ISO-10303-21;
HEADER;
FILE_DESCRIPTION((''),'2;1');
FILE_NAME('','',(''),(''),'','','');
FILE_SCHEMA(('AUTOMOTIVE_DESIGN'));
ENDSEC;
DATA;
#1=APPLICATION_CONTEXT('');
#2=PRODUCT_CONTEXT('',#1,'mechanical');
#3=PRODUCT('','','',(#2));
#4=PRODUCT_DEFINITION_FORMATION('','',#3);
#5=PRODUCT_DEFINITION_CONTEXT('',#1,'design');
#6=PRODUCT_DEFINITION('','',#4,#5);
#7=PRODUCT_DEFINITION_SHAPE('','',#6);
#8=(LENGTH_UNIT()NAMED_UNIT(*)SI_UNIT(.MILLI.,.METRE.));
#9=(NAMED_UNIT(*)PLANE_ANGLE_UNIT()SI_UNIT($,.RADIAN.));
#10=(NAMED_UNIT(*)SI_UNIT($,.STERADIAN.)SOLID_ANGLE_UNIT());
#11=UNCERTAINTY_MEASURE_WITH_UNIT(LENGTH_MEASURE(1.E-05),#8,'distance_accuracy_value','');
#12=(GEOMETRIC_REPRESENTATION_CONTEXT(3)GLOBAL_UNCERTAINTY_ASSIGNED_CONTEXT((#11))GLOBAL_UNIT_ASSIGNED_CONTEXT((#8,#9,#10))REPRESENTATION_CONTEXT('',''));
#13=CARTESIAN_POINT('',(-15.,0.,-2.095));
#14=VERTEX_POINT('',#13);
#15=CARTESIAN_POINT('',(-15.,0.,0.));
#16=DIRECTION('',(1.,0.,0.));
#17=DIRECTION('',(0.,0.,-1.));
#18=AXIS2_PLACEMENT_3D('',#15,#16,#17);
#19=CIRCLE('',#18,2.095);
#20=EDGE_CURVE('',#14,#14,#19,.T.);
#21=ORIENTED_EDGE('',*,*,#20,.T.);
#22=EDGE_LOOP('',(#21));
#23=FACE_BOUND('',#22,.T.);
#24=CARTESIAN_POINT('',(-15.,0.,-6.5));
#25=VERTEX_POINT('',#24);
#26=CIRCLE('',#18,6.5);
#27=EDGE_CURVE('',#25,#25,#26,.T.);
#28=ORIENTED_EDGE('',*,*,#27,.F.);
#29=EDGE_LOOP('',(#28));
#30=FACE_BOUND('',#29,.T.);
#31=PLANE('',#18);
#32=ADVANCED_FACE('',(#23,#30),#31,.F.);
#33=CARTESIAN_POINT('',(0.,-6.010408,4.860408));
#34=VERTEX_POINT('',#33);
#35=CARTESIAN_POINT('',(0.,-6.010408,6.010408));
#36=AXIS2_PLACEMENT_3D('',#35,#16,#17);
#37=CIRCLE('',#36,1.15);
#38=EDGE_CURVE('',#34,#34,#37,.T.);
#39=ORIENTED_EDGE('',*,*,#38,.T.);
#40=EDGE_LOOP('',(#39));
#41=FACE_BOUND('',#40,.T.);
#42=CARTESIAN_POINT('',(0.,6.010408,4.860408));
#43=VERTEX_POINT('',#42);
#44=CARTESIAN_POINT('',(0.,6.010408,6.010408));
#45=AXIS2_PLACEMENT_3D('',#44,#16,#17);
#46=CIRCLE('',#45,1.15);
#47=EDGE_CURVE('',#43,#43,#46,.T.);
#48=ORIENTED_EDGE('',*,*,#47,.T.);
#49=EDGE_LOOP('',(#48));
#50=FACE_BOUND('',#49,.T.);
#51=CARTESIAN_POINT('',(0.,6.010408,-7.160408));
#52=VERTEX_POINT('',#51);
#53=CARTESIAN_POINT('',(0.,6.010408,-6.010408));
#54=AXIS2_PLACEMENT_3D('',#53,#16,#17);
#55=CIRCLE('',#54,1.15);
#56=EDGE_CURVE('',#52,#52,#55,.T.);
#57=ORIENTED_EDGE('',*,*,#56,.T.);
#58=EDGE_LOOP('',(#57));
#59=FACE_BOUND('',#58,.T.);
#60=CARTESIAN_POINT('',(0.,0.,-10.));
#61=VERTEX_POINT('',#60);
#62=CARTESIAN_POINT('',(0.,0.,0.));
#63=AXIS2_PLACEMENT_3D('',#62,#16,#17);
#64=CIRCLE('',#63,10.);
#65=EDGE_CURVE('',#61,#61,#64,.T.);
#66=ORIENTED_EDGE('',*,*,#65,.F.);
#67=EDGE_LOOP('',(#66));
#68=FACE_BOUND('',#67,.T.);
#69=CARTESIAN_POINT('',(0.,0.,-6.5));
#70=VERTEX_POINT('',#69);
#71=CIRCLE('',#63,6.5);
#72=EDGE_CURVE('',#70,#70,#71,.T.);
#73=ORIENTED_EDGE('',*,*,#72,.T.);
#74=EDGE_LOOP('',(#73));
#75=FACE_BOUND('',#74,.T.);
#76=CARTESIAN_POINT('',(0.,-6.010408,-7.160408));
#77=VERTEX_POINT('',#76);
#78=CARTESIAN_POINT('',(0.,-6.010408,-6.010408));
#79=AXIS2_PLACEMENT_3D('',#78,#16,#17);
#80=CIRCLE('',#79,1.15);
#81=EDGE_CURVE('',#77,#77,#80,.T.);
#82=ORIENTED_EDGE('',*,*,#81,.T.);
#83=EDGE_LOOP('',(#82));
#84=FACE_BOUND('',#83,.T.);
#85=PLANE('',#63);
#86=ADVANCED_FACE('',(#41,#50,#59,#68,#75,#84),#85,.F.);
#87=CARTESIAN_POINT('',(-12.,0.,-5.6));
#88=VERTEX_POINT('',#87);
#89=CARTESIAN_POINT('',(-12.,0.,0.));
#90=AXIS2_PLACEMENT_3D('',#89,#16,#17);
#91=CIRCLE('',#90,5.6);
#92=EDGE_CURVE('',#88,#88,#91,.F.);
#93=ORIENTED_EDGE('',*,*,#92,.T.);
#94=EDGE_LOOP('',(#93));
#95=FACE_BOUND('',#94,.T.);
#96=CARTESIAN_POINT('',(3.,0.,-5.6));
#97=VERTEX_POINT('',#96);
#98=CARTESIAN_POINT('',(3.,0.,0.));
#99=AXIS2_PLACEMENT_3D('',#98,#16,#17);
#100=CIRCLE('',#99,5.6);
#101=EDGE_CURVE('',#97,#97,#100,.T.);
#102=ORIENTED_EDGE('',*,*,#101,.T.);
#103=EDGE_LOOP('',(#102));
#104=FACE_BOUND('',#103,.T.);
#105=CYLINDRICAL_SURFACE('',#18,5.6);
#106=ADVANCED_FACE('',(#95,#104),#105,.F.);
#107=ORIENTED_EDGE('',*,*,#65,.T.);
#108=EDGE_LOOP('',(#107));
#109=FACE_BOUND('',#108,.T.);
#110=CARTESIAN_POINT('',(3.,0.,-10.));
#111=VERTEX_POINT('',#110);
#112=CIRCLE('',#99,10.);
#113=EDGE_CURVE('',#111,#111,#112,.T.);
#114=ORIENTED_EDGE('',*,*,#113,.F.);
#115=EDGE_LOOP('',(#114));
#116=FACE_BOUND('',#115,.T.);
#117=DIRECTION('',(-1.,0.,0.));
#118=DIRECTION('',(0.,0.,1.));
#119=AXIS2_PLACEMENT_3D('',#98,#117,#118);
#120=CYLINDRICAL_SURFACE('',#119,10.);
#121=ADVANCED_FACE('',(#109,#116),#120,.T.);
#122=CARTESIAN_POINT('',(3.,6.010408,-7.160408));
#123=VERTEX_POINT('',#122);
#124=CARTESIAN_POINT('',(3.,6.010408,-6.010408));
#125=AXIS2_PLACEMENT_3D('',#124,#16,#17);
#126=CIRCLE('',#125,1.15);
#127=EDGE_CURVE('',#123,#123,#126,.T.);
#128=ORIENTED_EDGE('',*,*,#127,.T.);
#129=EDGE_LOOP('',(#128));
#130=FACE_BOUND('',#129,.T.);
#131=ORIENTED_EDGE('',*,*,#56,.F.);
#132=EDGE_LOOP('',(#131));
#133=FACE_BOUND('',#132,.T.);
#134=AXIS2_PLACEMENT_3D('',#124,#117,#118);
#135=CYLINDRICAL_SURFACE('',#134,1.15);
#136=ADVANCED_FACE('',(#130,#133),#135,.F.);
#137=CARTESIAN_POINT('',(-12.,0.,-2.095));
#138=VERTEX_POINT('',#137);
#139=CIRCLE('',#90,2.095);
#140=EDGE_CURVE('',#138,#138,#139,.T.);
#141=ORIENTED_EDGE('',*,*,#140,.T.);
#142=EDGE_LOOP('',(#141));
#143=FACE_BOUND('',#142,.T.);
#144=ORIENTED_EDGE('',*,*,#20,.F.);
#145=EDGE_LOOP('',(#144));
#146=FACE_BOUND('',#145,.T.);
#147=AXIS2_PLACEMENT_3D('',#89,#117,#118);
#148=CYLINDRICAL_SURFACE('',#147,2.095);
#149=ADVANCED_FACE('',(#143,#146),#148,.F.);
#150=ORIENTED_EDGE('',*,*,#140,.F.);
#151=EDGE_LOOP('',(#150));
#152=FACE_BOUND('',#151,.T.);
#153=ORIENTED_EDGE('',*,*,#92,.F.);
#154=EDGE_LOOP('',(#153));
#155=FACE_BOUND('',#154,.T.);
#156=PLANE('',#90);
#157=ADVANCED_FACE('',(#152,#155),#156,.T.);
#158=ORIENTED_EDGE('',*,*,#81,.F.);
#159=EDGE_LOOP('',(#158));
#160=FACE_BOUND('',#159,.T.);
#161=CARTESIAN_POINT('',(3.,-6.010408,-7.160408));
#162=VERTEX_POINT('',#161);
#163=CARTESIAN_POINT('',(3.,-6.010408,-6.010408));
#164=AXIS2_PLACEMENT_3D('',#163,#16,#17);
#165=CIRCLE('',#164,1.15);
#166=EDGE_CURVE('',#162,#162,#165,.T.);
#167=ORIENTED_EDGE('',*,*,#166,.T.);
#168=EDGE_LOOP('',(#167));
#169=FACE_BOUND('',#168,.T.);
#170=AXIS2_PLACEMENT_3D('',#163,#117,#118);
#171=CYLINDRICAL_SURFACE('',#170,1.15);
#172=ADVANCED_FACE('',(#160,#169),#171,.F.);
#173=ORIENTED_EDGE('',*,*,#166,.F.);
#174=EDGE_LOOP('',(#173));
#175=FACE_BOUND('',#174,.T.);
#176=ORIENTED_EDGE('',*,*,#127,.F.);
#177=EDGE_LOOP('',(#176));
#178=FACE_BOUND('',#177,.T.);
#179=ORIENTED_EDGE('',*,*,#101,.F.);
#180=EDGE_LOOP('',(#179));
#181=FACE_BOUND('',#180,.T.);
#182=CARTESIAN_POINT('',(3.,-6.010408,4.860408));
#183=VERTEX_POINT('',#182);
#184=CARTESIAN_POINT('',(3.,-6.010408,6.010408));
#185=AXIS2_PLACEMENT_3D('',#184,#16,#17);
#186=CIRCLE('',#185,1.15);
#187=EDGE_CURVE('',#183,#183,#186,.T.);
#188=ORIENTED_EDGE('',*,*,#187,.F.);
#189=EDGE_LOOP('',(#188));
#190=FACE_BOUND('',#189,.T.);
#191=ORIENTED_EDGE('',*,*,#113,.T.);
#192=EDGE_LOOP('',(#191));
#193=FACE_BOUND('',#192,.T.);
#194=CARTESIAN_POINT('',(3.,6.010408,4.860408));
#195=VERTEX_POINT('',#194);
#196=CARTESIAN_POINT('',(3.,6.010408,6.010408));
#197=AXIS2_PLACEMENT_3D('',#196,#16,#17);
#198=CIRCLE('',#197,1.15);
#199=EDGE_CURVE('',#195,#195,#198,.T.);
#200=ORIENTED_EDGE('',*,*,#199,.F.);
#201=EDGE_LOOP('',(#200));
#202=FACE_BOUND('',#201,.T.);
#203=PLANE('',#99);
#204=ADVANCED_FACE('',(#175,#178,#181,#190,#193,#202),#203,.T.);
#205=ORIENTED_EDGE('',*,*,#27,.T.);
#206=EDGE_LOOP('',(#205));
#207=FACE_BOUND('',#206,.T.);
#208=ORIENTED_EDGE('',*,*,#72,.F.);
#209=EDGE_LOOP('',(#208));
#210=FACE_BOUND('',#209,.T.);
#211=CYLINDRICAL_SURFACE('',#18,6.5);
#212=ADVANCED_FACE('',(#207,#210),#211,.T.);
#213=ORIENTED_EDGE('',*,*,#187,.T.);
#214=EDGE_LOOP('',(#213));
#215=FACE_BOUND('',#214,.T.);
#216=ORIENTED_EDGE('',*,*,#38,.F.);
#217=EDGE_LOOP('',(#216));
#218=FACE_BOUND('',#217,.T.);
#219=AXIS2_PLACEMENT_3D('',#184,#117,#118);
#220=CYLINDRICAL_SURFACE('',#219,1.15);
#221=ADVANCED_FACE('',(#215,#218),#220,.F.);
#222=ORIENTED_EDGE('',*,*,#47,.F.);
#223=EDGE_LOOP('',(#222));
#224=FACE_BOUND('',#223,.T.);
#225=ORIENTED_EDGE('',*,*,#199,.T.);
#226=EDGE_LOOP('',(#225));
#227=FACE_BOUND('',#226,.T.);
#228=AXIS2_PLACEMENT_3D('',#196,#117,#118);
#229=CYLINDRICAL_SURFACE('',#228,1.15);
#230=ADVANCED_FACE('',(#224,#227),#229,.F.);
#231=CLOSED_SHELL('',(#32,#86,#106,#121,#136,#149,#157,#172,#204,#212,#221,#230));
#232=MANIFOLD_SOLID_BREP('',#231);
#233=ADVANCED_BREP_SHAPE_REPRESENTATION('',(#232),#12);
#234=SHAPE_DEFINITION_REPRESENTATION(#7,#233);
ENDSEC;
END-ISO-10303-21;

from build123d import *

# Parameters (mm, degrees)
SKETCH2_R           = 10
BOSS_EXTRUDE1_DEPTH = 3
SKETCH3_R           = 6.5
SKETCH3_R_2         = 5.6
BOSS_EXTRUDE2_DEPTH = 15
BOSS_EXTRUDE3_START = -15
SKETCH4_R           = 6.5
SKETCH4_R_2         = 2.095
BOSS_EXTRUDE3_DEPTH = 3
SKETCH5_R           = 5.6
CUT_EXTRUDE1_DEPTH  = 3
SKETCH6_R           = 1.15
CUT_EXTRUDE2_DEPTH  = 4


with BuildPart() as part:
    # Sketch2 → Boss-Extrude1 (new body)
    with BuildSketch(Plane(origin=(0, 0, 0), x_dir=(0, 0, -1), z_dir=(1, 0, 0))):
        Circle(SKETCH2_R)
    extrude(amount=BOSS_EXTRUDE1_DEPTH)

    # Sketch3 → Boss-Extrude2 (add)
    with BuildSketch(Plane(origin=(0, 0, 0), x_dir=(0, 0, -1), z_dir=(1, 0, 0))):
        Circle(SKETCH3_R)
        Circle(SKETCH3_R_2, mode=Mode.SUBTRACT)
    extrude(amount=-BOSS_EXTRUDE2_DEPTH)

    # Sketch4 → Boss-Extrude3 (add)
    with BuildSketch(Plane(origin=(0, 0, 0), x_dir=(0, 0, -1), z_dir=(1, 0, 0)).offset(BOSS_EXTRUDE3_START)):
        Circle(SKETCH4_R)
        Circle(SKETCH4_R_2, mode=Mode.SUBTRACT)
    extrude(amount=BOSS_EXTRUDE3_DEPTH)

    # Sketch5 → Cut-Extrude1 (cut)
    with BuildSketch(Plane(origin=(0, 0, 0), x_dir=(0, 0, -1), z_dir=(1, 0, 0))):
        Circle(SKETCH5_R)
    extrude(amount=CUT_EXTRUDE1_DEPTH, mode=Mode.SUBTRACT)

    # Sketch6 → Cut-Extrude2 (cut, through all)
    with BuildSketch(Plane(origin=(0, 0, 0), x_dir=(0, 0, -1), z_dir=(1, 0, 0))):
        with Locations((6.01040764, 6.01040764)):
            Circle(SKETCH6_R)
        with Locations((6.01040764, -6.01040764)):
            Circle(SKETCH6_R)
        with Locations((-6.01040764, -6.01040764)):
            Circle(SKETCH6_R)
        with Locations((-6.01040764, 6.01040764)):
            Circle(SKETCH6_R)
    extrude(amount=CUT_EXTRUDE2_DEPTH, mode=Mode.SUBTRACT)


solid = part.part
